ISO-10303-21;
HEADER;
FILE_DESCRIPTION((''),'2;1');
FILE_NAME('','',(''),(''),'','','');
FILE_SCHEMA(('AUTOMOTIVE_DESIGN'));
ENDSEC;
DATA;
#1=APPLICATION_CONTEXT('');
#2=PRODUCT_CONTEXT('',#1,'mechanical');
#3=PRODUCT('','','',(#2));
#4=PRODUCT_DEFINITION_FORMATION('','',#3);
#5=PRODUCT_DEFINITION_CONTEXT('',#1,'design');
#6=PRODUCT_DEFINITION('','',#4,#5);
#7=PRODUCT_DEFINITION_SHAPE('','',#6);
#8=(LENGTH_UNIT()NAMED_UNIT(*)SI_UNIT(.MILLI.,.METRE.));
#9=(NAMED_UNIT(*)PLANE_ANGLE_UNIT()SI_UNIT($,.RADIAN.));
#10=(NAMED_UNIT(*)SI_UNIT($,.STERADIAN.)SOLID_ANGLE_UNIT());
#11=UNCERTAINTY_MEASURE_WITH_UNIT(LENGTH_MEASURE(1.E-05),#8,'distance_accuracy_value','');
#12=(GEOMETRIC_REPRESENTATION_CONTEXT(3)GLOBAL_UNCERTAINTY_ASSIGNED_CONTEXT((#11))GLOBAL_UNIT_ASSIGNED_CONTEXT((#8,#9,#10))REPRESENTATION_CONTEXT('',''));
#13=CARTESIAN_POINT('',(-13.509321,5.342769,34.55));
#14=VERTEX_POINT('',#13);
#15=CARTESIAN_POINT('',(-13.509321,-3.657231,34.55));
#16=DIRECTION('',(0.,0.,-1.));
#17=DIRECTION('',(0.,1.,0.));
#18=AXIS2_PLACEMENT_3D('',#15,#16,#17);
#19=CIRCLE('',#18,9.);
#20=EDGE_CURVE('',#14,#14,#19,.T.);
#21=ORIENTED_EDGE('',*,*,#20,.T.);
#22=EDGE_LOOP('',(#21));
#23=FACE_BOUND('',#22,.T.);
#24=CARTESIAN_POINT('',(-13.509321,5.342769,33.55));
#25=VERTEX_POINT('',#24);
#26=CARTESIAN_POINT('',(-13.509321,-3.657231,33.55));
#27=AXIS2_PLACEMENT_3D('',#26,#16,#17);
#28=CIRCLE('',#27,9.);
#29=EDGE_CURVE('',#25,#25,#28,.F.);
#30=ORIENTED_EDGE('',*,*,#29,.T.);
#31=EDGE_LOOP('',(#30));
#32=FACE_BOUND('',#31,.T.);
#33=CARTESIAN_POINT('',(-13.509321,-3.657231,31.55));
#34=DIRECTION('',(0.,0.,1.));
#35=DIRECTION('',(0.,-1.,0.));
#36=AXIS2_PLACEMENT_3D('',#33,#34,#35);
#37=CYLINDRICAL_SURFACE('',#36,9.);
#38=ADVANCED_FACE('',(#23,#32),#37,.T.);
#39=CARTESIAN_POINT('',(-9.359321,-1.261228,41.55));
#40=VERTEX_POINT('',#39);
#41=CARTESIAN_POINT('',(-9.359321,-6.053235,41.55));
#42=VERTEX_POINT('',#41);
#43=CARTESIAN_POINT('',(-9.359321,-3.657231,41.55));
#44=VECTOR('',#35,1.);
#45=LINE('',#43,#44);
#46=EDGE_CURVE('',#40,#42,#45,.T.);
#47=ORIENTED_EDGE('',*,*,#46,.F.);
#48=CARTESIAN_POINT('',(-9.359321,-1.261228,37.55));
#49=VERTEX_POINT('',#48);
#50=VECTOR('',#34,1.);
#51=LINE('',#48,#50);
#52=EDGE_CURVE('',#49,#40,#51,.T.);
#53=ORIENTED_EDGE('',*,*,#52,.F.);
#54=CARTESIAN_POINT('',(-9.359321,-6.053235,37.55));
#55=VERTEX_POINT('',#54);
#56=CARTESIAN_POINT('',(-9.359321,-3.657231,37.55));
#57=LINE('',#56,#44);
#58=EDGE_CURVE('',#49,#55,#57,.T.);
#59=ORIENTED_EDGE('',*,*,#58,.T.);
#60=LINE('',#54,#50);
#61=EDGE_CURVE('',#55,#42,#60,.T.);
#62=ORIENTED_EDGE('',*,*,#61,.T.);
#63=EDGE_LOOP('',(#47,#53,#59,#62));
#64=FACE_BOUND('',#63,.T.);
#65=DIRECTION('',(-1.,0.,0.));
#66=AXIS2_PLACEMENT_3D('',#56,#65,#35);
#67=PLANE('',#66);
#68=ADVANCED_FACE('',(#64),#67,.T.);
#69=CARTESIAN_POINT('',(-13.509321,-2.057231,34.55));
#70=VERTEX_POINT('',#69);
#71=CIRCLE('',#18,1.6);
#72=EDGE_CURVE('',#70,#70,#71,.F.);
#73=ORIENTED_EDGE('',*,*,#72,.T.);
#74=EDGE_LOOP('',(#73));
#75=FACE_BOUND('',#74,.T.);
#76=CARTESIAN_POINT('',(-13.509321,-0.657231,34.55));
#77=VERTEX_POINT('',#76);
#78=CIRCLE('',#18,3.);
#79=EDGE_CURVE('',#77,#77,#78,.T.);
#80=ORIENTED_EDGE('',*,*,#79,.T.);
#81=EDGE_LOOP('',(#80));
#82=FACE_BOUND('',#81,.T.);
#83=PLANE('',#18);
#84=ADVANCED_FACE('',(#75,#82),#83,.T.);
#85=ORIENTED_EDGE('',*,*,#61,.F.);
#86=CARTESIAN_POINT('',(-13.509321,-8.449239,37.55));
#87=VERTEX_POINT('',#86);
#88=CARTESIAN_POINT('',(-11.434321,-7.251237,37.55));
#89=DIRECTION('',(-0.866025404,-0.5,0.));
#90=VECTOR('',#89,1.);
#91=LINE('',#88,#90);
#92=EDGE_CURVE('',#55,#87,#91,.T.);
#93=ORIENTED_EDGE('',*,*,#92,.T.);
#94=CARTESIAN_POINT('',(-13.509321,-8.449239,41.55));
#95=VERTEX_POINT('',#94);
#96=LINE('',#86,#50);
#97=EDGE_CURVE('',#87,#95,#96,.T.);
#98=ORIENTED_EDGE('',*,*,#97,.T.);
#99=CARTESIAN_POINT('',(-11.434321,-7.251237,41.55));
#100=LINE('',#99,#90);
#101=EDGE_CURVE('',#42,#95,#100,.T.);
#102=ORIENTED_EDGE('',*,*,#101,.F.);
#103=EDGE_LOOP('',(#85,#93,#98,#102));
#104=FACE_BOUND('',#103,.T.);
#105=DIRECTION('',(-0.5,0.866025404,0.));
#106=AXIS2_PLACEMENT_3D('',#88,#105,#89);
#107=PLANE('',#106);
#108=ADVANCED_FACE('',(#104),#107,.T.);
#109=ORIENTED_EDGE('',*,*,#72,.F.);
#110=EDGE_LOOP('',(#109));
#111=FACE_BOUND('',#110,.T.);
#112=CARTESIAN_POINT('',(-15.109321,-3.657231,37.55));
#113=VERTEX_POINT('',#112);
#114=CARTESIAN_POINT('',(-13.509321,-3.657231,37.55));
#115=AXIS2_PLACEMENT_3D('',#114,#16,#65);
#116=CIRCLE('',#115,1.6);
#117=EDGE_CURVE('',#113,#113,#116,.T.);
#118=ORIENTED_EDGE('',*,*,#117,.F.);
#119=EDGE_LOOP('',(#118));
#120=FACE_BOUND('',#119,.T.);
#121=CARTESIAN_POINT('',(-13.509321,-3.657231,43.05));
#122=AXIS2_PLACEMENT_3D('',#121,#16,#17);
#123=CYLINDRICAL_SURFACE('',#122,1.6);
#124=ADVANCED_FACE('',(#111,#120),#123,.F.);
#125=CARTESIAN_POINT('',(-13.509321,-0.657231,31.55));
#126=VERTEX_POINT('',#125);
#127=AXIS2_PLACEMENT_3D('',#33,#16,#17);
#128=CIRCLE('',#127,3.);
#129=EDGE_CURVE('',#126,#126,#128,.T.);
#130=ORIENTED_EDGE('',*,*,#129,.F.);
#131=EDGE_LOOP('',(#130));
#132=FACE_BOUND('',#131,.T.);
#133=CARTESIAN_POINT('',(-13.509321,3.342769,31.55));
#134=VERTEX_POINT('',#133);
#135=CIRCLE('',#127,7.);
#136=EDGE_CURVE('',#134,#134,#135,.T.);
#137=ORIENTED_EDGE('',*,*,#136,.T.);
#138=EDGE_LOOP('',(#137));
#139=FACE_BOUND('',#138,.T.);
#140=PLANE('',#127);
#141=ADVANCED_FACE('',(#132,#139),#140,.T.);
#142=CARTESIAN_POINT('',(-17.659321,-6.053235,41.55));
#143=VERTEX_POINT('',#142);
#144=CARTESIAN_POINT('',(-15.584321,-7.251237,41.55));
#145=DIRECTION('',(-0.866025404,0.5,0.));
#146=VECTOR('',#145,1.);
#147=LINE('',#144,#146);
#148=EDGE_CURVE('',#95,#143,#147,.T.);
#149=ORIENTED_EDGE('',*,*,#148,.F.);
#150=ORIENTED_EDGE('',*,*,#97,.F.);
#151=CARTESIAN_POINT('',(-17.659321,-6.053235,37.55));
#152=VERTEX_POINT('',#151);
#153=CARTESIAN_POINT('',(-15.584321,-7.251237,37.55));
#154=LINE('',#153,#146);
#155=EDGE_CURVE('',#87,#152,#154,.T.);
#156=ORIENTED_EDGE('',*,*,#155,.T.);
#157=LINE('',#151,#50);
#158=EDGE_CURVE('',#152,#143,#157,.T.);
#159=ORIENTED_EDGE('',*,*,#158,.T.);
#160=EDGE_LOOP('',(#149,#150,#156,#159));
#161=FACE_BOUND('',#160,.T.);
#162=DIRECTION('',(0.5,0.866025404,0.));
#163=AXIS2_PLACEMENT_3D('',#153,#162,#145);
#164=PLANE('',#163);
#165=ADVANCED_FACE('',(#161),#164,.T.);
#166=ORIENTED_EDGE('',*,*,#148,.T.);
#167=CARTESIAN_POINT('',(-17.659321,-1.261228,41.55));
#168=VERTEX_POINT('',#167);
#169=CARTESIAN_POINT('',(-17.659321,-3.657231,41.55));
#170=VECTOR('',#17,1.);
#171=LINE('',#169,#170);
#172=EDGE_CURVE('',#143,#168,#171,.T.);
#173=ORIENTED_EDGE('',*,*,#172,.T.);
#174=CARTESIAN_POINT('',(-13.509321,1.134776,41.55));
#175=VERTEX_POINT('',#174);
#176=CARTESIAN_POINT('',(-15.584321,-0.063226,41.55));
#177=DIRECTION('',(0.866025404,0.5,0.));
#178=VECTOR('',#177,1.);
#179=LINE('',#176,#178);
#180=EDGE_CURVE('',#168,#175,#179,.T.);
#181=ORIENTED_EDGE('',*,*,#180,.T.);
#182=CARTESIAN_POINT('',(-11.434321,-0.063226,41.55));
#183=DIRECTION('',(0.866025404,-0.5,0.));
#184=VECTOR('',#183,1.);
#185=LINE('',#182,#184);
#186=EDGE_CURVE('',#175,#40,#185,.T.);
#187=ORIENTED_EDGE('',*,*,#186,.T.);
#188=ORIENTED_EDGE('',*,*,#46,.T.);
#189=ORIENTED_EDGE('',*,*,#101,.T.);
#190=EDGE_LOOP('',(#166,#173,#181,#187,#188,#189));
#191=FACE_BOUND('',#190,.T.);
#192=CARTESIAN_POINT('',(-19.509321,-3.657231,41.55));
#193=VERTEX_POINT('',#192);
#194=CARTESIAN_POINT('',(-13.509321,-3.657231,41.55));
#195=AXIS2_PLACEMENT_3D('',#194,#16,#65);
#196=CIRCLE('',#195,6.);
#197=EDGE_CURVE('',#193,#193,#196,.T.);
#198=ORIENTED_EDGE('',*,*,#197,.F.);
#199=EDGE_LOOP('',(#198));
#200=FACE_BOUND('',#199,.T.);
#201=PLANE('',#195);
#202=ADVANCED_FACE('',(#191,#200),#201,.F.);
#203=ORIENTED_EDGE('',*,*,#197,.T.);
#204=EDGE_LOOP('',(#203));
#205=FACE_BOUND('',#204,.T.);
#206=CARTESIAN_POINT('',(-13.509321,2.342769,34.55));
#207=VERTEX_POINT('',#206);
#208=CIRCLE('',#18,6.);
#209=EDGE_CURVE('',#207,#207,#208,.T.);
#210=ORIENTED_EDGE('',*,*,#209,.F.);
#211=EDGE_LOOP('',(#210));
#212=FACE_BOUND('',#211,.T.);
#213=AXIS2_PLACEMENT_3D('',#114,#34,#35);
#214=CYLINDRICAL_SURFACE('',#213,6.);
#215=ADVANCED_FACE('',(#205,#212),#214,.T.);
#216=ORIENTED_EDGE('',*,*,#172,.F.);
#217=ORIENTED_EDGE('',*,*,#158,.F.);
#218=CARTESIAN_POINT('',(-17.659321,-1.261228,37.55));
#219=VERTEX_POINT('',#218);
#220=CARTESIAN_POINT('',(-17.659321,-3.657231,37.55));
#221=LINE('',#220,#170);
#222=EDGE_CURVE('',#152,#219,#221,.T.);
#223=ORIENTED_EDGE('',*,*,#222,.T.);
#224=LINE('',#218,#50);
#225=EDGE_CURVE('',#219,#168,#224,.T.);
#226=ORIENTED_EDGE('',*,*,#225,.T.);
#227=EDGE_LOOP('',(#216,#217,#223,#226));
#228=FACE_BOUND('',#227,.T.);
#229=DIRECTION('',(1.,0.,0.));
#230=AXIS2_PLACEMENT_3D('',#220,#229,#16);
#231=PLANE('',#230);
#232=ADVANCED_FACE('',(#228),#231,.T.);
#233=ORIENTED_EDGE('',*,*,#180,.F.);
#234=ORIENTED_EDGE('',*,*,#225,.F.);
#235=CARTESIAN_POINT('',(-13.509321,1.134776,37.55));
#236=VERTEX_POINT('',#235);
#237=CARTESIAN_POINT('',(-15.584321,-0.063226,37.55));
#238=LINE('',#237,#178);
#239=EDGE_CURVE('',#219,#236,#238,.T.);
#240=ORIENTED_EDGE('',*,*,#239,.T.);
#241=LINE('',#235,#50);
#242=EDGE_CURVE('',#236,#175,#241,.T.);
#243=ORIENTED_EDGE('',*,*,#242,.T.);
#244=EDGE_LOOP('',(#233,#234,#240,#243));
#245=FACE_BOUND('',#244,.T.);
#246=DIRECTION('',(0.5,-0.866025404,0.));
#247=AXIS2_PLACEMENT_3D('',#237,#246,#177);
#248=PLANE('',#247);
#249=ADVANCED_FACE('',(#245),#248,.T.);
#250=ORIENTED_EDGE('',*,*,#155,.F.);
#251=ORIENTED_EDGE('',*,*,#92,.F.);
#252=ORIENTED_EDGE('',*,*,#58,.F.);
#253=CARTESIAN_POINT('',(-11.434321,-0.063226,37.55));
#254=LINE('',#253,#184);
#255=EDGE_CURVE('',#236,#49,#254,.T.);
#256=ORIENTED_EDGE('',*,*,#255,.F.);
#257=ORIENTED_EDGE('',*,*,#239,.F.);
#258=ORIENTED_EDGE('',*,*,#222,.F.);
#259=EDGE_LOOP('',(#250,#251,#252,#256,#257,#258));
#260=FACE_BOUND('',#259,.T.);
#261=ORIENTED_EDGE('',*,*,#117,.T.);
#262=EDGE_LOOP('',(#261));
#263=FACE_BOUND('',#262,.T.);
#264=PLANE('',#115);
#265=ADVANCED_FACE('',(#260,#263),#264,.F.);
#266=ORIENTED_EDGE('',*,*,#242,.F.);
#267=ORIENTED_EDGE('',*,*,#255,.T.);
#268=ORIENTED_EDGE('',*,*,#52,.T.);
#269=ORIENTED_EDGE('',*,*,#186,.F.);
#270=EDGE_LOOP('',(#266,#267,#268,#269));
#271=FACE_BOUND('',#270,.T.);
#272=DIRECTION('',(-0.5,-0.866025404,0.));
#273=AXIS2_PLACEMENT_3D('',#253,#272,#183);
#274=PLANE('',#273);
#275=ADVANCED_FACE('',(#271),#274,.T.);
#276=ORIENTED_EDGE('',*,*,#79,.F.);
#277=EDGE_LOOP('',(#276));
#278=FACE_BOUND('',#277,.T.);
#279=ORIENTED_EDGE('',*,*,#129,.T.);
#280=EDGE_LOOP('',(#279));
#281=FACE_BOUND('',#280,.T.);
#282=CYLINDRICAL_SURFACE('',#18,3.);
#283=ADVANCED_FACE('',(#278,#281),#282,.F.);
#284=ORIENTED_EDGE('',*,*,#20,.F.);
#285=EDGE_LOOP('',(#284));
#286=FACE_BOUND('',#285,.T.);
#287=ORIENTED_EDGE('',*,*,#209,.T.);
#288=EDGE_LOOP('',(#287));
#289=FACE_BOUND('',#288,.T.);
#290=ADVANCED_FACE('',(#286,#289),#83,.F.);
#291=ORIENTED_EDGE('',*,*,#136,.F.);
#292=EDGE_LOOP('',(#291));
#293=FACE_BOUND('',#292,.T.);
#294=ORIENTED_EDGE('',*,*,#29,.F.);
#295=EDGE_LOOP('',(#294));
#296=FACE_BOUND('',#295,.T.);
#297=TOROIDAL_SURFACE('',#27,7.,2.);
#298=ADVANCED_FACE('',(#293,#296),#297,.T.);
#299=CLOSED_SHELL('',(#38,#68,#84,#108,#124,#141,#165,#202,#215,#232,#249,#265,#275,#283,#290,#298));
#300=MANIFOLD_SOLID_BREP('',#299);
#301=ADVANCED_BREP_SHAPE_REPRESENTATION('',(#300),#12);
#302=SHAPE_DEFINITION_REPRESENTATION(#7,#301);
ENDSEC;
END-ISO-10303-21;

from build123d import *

# Parameters (mm, degrees)
SALIENTE_EXTRUIR1_START = -7
CROQUIS1_R              = 6
SALIENTE_EXTRUIR1_DEPTH = 4
CROQUIS2_R              = 6
SALIENTE_EXTRUIR2_DEPTH = 3
CROQUIS3_R              = 9
SALIENTE_EXTRUIR3_DEPTH = 3
CROQUIS4_R              = 1.6
CORTAR_EXTRUIR1_DEPTH   = 11.5
CROQUIS5_R              = 3
CORTAR_EXTRUIR2_DEPTH   = 3
REDONDEO1_R             = 2


with BuildPart() as part:
    # Croquis1 → Saliente-Extruir1 (new body)
    with BuildSketch(Plane(origin=(0, 0, 34.55), x_dir=(-1, 0, 0), z_dir=(0, 0, -1)).offset(SALIENTE_EXTRUIR1_START)):
        with Locations((13.509321031, -3.657231325)):
            Circle(CROQUIS1_R)
        Polygon((9.359321031, -1.261227707), (9.359321031, -6.053234942), (13.509321031, -8.449238559), (17.659321031, -6.053234942), (17.659321031, -1.261227707), (13.509321031, 1.13477591), align=None, mode=Mode.SUBTRACT)
    extrude(amount=SALIENTE_EXTRUIR1_DEPTH)

    # Croquis2 → Saliente-Extruir2 (add)
    with BuildSketch(Plane(origin=(0, 0, 37.55), x_dir=(-1, 0, 0), z_dir=(0, 0, -1))):
        with Locations((13.509321031, -3.657231325)):
            Circle(CROQUIS2_R)
    extrude(amount=SALIENTE_EXTRUIR2_DEPTH)

    # Croquis3 → Saliente-Extruir3 (add)
    with BuildSketch(Plane(origin=(0, 0, 34.55), x_dir=(-1, 0, 0), z_dir=(0, 0, -1))):
        with Locations((13.509321031, -3.657231325)):
            Circle(CROQUIS3_R)
    extrude(amount=SALIENTE_EXTRUIR3_DEPTH)

    # Croquis4 → Cortar-Extruir1 (cut)
    with BuildSketch(Plane(origin=(0, 0, 31.55), x_dir=(-1, 0, 0), z_dir=(0, 0, -1))):
        with Locations((13.509321031, -3.657231325)):
            Circle(CROQUIS4_R)
    extrude(amount=-CORTAR_EXTRUIR1_DEPTH, mode=Mode.SUBTRACT)

    # Croquis5 → Cortar-Extruir2 (cut)
    with BuildSketch(Plane(origin=(0, 0, 31.55), x_dir=(-1, 0, 0), z_dir=(0, 0, -1))):
        with Locations((13.509321031, -3.657231325)):
            Circle(CROQUIS5_R)
    extrude(amount=-CORTAR_EXTRUIR2_DEPTH, mode=Mode.SUBTRACT)

    # Redondeo1
    redondeo1_edges = [part.edges().sort_by_distance(p)[0] for p in [
        (-4.509321031, -3.657231325, 31.55),
    ]]
    fillet(redondeo1_edges, radius=REDONDEO1_R)


solid = part.part
